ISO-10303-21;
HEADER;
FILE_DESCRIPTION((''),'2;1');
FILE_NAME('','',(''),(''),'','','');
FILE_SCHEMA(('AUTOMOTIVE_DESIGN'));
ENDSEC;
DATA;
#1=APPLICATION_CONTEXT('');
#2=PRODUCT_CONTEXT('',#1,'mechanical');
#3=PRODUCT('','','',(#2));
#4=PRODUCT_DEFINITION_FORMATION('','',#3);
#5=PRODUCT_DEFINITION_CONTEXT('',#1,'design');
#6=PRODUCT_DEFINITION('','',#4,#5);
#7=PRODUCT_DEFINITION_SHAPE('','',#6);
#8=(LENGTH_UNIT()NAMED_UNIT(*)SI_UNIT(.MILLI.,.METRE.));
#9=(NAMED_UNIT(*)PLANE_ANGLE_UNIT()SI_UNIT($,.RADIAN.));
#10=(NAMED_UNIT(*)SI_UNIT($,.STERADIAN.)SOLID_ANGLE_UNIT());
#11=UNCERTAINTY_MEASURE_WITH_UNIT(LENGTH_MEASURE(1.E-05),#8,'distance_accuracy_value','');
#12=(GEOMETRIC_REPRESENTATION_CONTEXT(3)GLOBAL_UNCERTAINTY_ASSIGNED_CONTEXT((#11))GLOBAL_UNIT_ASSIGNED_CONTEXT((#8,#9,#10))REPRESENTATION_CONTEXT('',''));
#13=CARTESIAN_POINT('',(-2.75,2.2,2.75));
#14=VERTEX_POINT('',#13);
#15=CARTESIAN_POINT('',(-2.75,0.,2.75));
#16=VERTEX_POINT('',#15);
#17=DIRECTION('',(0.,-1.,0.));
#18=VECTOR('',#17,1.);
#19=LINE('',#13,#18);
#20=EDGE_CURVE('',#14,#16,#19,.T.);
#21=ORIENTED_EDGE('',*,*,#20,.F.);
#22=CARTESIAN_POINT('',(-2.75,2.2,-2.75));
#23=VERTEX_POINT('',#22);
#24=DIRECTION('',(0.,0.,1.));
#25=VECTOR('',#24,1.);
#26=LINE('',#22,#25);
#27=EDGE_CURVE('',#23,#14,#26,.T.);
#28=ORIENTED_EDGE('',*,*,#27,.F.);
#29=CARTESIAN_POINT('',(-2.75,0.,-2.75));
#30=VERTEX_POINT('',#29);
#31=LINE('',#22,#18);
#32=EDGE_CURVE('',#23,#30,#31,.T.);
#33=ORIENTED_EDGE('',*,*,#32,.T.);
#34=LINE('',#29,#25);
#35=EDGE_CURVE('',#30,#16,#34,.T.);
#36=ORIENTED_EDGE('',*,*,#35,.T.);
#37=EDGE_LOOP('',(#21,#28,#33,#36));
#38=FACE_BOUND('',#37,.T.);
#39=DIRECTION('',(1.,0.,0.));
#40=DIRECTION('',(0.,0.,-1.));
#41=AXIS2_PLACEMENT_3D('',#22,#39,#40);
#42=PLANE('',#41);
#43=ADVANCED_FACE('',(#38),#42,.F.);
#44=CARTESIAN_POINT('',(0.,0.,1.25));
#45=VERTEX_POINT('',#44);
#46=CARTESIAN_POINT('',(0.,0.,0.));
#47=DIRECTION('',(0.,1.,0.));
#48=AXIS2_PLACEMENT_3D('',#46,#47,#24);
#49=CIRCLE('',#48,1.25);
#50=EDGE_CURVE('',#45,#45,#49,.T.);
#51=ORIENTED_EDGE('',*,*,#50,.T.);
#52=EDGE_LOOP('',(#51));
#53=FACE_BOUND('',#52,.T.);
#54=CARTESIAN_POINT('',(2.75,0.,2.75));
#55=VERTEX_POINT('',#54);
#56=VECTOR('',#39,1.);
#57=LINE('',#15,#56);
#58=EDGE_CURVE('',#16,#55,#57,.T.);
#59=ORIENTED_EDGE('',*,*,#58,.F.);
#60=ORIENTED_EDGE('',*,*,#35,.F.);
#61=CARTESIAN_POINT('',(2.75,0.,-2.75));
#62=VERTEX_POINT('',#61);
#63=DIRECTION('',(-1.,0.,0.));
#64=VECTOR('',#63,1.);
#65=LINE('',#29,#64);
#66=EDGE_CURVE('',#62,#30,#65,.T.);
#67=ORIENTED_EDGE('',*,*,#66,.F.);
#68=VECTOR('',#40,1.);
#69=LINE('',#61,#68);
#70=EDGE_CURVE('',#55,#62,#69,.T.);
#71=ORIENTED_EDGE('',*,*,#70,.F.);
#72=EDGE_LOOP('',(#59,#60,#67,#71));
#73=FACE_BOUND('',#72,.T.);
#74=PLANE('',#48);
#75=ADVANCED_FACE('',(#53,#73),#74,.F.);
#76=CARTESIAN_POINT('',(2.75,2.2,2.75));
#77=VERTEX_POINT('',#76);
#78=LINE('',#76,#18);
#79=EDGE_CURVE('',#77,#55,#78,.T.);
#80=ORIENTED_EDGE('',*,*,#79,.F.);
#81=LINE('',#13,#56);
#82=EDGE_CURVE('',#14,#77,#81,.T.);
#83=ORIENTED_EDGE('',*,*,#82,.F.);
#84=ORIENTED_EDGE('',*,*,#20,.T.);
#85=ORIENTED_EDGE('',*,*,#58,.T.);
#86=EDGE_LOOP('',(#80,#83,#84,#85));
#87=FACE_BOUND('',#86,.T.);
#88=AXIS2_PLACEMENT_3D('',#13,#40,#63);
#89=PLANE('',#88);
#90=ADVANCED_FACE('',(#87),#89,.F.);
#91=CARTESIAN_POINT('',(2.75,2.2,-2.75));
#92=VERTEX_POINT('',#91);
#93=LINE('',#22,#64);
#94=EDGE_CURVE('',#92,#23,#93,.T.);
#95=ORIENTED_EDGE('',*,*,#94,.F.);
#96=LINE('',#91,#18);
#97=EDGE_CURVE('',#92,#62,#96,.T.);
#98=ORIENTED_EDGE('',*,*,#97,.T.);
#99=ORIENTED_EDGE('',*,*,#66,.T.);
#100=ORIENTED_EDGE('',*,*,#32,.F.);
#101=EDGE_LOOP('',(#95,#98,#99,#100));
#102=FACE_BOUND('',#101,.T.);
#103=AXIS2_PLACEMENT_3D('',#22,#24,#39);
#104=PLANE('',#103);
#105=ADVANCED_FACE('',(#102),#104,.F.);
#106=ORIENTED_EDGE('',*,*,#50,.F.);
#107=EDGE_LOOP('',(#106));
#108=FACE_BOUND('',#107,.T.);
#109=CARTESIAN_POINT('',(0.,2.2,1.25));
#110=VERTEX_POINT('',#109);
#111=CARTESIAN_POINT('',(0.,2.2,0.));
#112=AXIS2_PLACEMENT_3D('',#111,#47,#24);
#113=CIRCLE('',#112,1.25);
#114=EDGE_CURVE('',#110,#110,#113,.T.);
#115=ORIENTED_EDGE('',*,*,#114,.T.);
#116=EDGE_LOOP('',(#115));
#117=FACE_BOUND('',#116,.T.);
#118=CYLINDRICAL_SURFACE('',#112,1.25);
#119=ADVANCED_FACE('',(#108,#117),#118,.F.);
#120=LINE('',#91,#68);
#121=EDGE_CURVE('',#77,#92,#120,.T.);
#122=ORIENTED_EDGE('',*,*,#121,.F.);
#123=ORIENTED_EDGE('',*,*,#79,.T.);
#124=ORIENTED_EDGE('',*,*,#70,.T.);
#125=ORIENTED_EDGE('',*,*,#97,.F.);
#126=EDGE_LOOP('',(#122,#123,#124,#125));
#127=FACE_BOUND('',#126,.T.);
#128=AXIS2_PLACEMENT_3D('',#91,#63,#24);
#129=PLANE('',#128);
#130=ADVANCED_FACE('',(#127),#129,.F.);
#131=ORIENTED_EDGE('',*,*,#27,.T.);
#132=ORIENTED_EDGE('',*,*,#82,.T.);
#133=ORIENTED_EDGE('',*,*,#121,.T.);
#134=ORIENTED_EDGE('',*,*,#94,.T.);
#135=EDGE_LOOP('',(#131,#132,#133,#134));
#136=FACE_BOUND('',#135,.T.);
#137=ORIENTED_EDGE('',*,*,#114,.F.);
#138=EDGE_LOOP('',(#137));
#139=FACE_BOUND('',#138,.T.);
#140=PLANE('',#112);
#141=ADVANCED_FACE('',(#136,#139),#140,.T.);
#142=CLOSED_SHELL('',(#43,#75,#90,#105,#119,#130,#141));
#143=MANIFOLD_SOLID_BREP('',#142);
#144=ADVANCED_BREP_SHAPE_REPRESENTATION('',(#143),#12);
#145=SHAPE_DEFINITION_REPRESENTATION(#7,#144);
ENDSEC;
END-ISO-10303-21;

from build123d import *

# Parameters (mm, degrees)
SKETCH1_W             = 5.5
SKETCH1_H             = 5.5
BOSS_EXTRUDE1_DEPTH   = 2.2
M3X0_5_TAPPED_HOLE1_D = 2.5


with BuildPart() as part:
    # Sketch1 → Boss-Extrude1 (new body)
    with BuildSketch(Plane(origin=(0, 0, 0), x_dir=(1, 0, 0), z_dir=(0, 1, 0))):
        Rectangle(SKETCH1_W, SKETCH1_H)
    extrude(amount=BOSS_EXTRUDE1_DEPTH)

    # M3x0.5 Tapped Hole1 (through all)
    with Locations(Plane(origin=(0, 2.2, 0), x_dir=(1, 0, 0), z_dir=(0, 1, 0))):
        with Locations((0, 0)):
            Hole(M3X0_5_TAPPED_HOLE1_D / 2)


solid = part.part
